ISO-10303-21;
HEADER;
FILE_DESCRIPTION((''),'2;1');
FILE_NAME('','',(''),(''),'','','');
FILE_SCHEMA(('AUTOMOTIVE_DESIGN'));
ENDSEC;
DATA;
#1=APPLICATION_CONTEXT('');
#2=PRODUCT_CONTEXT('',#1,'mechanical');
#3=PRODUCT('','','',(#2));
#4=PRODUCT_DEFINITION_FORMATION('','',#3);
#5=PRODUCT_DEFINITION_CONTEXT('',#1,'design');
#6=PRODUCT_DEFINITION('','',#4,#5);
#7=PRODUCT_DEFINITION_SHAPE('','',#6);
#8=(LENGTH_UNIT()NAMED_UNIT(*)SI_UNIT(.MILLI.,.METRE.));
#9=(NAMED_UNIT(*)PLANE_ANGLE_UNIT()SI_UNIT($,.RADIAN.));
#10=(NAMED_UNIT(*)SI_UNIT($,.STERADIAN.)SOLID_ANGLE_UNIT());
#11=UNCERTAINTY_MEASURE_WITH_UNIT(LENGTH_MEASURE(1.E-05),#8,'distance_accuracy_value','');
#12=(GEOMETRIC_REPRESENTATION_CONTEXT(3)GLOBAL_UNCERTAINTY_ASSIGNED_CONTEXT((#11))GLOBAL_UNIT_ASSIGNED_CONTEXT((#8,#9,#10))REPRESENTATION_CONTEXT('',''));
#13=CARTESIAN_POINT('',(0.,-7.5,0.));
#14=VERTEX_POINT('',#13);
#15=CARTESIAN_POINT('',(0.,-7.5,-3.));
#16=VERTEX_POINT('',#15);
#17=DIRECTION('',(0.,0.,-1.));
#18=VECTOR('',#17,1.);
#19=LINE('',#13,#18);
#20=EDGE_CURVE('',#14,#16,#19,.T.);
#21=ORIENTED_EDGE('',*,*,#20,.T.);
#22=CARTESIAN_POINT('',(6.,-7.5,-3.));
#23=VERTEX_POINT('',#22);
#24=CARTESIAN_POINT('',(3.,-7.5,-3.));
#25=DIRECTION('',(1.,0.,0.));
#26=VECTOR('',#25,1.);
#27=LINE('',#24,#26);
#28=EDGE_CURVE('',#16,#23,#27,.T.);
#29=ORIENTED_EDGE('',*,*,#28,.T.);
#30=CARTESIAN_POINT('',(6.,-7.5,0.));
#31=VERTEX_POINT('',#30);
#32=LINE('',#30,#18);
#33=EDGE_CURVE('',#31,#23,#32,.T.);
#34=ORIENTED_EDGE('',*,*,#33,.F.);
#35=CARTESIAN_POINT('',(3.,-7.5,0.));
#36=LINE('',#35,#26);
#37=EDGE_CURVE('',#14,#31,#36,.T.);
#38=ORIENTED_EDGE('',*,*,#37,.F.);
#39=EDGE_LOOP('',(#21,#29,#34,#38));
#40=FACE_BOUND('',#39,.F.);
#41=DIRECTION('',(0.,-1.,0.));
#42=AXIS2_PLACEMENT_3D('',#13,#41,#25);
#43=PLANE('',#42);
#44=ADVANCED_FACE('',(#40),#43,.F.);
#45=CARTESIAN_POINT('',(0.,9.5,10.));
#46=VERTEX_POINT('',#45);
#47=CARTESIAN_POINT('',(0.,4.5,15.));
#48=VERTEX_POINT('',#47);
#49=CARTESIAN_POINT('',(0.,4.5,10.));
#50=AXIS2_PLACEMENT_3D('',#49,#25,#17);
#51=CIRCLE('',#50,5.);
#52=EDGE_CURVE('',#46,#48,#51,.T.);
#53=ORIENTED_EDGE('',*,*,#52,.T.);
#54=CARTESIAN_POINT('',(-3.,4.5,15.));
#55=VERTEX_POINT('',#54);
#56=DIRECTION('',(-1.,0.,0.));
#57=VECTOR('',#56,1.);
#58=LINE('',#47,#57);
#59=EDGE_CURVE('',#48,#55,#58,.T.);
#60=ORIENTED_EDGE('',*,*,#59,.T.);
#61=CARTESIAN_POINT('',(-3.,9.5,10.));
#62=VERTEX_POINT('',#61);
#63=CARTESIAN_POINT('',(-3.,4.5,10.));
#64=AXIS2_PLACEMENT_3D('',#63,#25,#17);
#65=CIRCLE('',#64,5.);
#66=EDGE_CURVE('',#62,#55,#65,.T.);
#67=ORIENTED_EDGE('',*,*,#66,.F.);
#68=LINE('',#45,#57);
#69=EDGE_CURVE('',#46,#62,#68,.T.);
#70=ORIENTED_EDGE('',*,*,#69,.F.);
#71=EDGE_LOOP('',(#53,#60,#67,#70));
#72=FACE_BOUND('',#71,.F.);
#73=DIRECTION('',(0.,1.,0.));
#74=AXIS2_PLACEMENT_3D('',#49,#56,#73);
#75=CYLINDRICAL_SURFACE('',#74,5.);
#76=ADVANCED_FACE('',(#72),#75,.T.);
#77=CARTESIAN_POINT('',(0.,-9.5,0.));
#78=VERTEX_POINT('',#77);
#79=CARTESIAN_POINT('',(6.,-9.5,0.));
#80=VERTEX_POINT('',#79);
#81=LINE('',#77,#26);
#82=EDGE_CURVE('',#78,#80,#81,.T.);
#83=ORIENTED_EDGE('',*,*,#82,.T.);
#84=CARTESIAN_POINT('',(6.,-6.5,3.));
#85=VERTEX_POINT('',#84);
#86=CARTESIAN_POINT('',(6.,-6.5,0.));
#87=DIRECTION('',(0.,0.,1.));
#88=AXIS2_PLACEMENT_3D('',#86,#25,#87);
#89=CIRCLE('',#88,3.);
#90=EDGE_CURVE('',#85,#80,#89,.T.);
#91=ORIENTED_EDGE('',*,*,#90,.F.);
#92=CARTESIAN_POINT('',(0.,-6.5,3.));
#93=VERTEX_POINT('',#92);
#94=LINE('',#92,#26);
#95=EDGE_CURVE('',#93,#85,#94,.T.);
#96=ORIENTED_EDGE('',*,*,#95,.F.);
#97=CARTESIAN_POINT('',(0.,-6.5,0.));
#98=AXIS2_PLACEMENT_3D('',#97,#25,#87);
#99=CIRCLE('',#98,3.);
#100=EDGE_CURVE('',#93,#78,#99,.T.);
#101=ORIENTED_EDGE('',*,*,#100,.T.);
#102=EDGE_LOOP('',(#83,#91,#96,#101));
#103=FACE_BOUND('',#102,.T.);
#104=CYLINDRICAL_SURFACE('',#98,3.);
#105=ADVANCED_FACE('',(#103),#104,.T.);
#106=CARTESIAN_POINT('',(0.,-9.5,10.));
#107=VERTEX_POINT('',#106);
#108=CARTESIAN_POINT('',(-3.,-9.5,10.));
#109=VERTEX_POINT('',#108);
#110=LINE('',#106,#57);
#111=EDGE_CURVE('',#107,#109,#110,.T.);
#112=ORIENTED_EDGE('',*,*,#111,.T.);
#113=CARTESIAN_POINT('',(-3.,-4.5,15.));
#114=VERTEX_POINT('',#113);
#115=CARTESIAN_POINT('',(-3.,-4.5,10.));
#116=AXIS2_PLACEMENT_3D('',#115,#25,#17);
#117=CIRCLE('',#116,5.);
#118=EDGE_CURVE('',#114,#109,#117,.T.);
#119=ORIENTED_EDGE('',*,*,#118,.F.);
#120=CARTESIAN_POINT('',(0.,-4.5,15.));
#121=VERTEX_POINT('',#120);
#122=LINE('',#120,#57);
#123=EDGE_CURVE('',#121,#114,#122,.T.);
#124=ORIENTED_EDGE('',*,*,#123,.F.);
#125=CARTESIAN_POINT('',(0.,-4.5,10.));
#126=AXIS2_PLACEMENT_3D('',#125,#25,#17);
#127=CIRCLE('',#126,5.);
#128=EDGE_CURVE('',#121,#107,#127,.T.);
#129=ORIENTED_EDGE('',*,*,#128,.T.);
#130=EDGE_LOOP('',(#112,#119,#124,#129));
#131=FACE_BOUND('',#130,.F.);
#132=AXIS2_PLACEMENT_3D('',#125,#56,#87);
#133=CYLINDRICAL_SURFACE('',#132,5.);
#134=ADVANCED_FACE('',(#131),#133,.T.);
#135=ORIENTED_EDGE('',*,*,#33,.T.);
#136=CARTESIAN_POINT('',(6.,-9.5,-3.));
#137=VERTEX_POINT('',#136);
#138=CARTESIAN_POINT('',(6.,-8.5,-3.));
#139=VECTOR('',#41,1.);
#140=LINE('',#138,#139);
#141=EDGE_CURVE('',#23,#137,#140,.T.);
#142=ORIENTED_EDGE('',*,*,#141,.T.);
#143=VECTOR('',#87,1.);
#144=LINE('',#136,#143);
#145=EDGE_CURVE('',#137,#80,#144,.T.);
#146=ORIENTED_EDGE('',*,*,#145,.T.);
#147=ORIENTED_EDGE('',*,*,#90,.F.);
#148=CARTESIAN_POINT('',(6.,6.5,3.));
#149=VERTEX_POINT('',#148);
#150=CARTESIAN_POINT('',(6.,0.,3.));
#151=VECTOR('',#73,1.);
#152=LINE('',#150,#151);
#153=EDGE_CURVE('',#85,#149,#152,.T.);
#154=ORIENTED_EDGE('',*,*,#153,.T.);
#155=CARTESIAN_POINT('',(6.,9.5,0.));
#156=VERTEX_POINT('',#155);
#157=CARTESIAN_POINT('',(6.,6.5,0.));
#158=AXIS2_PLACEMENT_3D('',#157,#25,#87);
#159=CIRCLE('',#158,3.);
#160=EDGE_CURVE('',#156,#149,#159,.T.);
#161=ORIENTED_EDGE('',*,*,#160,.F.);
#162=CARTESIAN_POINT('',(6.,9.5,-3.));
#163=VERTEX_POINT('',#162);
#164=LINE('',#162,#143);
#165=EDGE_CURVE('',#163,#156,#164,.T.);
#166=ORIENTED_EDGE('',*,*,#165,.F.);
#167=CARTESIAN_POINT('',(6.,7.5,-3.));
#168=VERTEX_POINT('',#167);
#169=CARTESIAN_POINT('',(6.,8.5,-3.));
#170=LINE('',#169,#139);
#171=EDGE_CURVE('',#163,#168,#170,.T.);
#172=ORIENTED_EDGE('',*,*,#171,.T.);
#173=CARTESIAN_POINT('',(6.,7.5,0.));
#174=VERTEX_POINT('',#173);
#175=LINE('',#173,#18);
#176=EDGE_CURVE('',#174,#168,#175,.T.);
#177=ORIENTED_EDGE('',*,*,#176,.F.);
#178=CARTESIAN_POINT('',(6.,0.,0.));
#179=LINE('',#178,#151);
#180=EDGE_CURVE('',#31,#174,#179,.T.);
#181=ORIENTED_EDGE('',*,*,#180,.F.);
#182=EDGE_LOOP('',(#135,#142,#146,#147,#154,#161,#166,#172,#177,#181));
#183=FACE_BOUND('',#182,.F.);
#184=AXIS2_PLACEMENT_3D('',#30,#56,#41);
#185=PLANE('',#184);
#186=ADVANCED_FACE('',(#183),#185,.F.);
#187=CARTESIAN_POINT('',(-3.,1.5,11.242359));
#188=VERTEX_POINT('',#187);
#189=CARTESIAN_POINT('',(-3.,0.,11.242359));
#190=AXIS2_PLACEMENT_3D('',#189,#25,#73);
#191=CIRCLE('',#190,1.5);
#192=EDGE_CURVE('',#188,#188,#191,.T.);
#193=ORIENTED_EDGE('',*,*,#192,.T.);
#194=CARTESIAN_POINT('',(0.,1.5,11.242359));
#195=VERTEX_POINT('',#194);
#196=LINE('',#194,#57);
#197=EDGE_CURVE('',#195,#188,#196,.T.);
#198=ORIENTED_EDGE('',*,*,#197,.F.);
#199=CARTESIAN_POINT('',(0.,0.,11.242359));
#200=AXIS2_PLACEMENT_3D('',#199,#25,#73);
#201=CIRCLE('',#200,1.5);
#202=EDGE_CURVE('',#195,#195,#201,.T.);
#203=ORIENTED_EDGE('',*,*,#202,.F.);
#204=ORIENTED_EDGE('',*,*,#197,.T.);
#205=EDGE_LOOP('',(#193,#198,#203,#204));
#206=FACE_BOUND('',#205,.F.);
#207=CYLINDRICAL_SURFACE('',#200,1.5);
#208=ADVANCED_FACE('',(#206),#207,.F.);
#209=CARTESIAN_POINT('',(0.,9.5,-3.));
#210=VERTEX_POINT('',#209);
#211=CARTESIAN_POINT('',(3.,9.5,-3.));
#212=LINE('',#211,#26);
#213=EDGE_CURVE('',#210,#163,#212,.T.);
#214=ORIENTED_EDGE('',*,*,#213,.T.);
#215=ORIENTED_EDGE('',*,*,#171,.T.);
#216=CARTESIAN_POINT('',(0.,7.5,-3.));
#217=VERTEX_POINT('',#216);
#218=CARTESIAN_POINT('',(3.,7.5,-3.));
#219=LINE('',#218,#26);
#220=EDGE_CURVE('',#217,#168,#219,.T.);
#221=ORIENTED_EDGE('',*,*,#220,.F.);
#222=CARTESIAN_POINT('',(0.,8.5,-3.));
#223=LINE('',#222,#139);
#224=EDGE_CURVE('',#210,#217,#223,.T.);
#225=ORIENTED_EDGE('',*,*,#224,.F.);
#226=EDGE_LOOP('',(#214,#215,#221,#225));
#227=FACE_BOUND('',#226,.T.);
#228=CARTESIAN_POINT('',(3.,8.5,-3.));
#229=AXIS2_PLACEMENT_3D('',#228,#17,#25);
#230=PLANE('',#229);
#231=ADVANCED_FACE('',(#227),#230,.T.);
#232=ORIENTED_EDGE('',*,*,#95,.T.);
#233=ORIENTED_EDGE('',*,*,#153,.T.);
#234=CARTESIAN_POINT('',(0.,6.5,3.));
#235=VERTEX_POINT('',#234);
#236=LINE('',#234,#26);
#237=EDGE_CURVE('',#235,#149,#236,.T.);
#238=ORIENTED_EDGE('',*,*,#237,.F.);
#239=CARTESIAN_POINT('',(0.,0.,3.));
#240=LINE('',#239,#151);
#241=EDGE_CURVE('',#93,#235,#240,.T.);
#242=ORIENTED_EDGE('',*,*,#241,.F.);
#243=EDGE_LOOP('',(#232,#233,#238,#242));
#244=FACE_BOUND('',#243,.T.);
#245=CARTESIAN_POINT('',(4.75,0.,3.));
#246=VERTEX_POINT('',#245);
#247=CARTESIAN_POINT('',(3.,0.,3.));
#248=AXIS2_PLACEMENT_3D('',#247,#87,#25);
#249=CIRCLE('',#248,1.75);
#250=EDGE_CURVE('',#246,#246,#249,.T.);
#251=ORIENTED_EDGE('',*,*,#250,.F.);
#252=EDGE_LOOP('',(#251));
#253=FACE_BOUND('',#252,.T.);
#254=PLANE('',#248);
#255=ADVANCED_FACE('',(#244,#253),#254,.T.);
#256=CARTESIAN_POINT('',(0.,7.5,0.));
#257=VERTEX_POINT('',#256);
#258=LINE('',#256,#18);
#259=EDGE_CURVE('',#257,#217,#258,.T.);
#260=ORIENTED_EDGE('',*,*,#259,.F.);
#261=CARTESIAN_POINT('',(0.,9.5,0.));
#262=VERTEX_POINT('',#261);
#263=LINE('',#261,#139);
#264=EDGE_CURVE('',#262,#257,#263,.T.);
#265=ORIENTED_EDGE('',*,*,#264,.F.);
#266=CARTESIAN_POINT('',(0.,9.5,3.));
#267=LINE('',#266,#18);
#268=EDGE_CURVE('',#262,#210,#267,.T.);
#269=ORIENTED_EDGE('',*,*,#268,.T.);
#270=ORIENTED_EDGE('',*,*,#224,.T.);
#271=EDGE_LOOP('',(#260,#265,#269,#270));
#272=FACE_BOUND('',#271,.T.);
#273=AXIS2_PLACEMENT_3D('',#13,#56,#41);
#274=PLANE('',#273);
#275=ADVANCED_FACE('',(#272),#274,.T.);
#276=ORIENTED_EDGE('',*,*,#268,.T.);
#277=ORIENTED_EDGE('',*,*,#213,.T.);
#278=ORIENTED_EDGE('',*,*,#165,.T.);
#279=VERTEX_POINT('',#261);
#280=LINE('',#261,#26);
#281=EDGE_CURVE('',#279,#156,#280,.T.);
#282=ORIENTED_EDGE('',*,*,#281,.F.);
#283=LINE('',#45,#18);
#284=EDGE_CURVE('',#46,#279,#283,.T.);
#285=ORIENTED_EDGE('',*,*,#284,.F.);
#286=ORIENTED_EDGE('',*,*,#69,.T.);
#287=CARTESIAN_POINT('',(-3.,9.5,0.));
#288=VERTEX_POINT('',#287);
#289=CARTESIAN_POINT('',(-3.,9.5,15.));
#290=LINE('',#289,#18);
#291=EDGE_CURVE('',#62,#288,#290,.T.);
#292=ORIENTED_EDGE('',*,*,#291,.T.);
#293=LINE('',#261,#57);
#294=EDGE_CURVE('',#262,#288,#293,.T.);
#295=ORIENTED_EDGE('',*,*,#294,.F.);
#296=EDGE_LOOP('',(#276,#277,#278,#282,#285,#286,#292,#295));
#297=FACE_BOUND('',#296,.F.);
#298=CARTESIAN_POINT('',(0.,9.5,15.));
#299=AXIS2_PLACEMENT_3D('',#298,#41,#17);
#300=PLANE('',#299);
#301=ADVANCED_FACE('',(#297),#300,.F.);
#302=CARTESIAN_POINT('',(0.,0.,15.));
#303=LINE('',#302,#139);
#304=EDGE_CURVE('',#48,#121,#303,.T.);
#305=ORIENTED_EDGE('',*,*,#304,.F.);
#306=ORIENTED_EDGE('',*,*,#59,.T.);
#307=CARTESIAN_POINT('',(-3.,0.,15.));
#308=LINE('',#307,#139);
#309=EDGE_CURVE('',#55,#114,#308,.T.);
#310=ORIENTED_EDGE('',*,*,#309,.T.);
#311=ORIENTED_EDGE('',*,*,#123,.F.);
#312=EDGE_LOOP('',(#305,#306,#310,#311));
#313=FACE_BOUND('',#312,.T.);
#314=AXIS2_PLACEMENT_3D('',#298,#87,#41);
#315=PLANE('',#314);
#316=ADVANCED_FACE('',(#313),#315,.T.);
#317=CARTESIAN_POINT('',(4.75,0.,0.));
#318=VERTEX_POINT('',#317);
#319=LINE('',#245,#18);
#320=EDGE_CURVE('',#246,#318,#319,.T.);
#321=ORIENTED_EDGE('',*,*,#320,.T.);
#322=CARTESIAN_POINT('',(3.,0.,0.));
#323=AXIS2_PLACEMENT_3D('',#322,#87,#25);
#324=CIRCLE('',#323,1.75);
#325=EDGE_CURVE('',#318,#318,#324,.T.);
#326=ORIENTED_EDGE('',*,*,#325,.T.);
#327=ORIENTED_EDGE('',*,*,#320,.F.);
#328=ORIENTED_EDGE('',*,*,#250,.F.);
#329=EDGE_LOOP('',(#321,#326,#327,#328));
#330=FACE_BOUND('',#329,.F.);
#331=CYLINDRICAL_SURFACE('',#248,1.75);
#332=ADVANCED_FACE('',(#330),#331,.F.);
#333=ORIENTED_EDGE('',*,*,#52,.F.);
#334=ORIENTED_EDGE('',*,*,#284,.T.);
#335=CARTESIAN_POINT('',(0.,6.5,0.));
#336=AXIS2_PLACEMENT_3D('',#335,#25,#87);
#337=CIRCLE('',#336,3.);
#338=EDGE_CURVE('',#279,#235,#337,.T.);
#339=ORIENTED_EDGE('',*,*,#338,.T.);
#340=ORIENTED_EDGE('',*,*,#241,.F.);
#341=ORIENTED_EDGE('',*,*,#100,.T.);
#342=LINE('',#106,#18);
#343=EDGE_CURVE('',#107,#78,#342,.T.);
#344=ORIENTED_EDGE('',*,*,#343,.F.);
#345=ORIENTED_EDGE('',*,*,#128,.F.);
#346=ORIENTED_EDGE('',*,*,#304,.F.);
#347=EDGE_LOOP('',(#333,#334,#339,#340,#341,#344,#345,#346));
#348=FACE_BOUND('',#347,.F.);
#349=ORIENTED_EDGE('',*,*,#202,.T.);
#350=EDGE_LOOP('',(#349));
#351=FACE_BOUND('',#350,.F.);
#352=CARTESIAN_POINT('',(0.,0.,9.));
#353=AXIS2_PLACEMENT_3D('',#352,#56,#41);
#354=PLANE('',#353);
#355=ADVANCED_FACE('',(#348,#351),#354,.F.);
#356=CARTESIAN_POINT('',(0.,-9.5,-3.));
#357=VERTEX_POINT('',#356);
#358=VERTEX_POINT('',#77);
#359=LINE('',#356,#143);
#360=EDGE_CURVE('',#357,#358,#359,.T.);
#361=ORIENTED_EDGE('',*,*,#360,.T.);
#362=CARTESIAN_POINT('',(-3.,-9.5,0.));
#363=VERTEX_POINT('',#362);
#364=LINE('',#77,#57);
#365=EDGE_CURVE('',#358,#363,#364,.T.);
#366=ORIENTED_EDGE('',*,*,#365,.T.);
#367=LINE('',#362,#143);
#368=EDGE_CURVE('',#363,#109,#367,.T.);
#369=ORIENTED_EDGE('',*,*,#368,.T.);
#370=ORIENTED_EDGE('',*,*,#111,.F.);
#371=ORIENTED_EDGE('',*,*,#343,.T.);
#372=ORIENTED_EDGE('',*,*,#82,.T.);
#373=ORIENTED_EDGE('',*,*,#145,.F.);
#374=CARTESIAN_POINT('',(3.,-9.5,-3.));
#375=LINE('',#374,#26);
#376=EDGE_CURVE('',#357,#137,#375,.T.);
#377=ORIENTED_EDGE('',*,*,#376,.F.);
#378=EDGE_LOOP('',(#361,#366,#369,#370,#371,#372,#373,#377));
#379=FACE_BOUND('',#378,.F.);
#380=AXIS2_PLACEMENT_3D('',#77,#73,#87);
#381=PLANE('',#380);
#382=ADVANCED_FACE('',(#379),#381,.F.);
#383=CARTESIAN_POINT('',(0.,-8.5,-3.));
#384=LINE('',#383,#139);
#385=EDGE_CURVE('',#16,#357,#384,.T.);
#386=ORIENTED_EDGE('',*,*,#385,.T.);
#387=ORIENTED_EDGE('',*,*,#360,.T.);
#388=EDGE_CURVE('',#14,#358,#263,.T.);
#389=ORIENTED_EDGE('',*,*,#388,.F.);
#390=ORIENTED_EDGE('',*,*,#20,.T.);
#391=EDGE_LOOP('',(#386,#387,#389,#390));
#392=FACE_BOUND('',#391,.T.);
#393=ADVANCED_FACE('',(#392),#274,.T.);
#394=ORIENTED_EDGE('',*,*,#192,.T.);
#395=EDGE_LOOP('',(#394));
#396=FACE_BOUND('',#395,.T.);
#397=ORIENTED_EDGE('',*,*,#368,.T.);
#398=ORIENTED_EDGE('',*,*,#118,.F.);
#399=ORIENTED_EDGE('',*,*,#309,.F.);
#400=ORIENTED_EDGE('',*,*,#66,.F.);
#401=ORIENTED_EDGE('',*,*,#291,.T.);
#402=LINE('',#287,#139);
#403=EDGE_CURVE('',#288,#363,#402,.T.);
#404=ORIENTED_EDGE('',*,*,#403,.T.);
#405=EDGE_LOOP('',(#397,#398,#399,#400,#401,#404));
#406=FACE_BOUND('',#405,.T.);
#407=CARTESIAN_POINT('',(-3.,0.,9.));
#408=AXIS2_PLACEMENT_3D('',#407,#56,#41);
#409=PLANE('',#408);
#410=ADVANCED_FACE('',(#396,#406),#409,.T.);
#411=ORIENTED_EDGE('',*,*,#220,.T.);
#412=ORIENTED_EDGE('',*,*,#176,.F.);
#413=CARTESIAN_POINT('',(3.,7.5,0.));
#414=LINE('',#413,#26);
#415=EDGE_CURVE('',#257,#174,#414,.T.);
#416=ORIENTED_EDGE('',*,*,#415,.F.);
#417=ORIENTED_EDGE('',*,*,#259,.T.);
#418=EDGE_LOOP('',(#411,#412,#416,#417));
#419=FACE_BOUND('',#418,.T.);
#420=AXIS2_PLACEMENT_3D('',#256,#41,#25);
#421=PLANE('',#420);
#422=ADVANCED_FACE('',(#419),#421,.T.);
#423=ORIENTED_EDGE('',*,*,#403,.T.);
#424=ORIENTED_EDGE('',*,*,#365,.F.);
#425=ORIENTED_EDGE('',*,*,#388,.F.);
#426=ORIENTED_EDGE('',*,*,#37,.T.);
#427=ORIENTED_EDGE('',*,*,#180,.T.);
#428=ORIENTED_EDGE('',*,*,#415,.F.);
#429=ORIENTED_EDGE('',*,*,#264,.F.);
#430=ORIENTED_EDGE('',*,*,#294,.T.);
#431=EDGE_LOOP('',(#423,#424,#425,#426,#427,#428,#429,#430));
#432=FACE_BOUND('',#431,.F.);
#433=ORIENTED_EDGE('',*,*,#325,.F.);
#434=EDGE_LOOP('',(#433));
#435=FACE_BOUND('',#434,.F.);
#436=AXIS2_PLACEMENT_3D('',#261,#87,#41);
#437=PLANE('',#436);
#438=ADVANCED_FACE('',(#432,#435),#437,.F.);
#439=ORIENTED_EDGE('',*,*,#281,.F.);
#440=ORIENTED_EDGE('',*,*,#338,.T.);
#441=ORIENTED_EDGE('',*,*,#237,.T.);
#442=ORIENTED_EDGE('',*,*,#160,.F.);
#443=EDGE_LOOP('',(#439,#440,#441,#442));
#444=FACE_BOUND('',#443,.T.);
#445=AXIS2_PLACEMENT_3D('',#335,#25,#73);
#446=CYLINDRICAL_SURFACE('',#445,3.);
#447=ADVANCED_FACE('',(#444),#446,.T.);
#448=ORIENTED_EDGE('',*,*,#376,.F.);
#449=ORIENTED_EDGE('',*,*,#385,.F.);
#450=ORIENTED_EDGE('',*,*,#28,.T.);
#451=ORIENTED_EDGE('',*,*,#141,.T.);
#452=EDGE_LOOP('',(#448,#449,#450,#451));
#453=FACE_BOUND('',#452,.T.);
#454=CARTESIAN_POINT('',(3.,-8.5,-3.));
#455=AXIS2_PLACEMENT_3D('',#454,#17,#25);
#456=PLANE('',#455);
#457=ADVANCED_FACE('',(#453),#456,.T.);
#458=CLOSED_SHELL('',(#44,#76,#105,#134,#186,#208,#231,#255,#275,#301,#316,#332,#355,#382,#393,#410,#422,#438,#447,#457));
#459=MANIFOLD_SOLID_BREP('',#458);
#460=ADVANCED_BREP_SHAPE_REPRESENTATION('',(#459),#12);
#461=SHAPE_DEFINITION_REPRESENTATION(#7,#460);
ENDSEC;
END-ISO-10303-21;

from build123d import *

# Parameters (mm, degrees)
F0_W     = 6
F0_H     = 19
F1_DEPTH = 3
F2_W     = 6
F2_H     = 2
F3_DEPTH = 3
F4_R     = 1.75
F5_DEPTH = 3
F6_W     = 19
F6_H     = 12
F7_DEPTH = 3
F8_R     = 1.5
F9_DEPTH = 3
F10_R    = 5
F11_R    = 3


with BuildPart() as f1:
    # F0 (on Top) → F1 (new body)
    with BuildSketch(Plane.XY):
        with Locations((3, 0)):
            Rectangle(F0_W, F0_H)
    extrude(amount=F1_DEPTH)

    # F2 (on face) → F3 (join)
    with BuildSketch(Plane(origin=(0, 0, 0), x_dir=(1, 0, 0), z_dir=(0, 0, -1))):
        with Locations((3, 8.5)):
            Rectangle(F2_W, F2_H)
        with Locations((3, -8.5)):
            Rectangle(F2_W, F2_H)
    extrude(amount=F3_DEPTH)

    # F4 (on face) → F5 (cut)
    with BuildSketch(Plane.XY.offset(3)):
        with Locations((3, 0)):
            Circle(F4_R)
    extrude(amount=-F5_DEPTH, mode=Mode.SUBTRACT)

    # F6 (on face) → F7 (join)
    with BuildSketch(Plane(origin=(0, 0, 0), x_dir=(0, -1, 0), z_dir=(-1, 0, 0))):
        with Locations((0, 9)):
            Rectangle(F6_W, F6_H)
        Polygon((-9.5, 3), (-9.5, 0), (-7.5, 0), (7.5, 0), (9.5, 0), (9.5, 3), align=None)
    extrude(amount=F7_DEPTH)

    # F8 (on face) → F9 (cut)
    with BuildSketch(Plane.YZ):
        with Locations((0, 11.2423589453)):
            Circle(F8_R)
    extrude(amount=-F9_DEPTH, mode=Mode.SUBTRACT)

    # F10
    f10_edges = [f1.edges().sort_by_distance(p)[0] for p in [
        (-1.5, -9.5, 15),
        (-1.5, 9.5, 15),
    ]]
    fillet(f10_edges, radius=F10_R)

    # F11
    f11_edges = [f1.edges().sort_by_distance(p)[0] for p in [
        (3, -9.5, 3),
        (3, 9.5, 3),
    ]]
    fillet(f11_edges, radius=F11_R)


solid = f1.part
